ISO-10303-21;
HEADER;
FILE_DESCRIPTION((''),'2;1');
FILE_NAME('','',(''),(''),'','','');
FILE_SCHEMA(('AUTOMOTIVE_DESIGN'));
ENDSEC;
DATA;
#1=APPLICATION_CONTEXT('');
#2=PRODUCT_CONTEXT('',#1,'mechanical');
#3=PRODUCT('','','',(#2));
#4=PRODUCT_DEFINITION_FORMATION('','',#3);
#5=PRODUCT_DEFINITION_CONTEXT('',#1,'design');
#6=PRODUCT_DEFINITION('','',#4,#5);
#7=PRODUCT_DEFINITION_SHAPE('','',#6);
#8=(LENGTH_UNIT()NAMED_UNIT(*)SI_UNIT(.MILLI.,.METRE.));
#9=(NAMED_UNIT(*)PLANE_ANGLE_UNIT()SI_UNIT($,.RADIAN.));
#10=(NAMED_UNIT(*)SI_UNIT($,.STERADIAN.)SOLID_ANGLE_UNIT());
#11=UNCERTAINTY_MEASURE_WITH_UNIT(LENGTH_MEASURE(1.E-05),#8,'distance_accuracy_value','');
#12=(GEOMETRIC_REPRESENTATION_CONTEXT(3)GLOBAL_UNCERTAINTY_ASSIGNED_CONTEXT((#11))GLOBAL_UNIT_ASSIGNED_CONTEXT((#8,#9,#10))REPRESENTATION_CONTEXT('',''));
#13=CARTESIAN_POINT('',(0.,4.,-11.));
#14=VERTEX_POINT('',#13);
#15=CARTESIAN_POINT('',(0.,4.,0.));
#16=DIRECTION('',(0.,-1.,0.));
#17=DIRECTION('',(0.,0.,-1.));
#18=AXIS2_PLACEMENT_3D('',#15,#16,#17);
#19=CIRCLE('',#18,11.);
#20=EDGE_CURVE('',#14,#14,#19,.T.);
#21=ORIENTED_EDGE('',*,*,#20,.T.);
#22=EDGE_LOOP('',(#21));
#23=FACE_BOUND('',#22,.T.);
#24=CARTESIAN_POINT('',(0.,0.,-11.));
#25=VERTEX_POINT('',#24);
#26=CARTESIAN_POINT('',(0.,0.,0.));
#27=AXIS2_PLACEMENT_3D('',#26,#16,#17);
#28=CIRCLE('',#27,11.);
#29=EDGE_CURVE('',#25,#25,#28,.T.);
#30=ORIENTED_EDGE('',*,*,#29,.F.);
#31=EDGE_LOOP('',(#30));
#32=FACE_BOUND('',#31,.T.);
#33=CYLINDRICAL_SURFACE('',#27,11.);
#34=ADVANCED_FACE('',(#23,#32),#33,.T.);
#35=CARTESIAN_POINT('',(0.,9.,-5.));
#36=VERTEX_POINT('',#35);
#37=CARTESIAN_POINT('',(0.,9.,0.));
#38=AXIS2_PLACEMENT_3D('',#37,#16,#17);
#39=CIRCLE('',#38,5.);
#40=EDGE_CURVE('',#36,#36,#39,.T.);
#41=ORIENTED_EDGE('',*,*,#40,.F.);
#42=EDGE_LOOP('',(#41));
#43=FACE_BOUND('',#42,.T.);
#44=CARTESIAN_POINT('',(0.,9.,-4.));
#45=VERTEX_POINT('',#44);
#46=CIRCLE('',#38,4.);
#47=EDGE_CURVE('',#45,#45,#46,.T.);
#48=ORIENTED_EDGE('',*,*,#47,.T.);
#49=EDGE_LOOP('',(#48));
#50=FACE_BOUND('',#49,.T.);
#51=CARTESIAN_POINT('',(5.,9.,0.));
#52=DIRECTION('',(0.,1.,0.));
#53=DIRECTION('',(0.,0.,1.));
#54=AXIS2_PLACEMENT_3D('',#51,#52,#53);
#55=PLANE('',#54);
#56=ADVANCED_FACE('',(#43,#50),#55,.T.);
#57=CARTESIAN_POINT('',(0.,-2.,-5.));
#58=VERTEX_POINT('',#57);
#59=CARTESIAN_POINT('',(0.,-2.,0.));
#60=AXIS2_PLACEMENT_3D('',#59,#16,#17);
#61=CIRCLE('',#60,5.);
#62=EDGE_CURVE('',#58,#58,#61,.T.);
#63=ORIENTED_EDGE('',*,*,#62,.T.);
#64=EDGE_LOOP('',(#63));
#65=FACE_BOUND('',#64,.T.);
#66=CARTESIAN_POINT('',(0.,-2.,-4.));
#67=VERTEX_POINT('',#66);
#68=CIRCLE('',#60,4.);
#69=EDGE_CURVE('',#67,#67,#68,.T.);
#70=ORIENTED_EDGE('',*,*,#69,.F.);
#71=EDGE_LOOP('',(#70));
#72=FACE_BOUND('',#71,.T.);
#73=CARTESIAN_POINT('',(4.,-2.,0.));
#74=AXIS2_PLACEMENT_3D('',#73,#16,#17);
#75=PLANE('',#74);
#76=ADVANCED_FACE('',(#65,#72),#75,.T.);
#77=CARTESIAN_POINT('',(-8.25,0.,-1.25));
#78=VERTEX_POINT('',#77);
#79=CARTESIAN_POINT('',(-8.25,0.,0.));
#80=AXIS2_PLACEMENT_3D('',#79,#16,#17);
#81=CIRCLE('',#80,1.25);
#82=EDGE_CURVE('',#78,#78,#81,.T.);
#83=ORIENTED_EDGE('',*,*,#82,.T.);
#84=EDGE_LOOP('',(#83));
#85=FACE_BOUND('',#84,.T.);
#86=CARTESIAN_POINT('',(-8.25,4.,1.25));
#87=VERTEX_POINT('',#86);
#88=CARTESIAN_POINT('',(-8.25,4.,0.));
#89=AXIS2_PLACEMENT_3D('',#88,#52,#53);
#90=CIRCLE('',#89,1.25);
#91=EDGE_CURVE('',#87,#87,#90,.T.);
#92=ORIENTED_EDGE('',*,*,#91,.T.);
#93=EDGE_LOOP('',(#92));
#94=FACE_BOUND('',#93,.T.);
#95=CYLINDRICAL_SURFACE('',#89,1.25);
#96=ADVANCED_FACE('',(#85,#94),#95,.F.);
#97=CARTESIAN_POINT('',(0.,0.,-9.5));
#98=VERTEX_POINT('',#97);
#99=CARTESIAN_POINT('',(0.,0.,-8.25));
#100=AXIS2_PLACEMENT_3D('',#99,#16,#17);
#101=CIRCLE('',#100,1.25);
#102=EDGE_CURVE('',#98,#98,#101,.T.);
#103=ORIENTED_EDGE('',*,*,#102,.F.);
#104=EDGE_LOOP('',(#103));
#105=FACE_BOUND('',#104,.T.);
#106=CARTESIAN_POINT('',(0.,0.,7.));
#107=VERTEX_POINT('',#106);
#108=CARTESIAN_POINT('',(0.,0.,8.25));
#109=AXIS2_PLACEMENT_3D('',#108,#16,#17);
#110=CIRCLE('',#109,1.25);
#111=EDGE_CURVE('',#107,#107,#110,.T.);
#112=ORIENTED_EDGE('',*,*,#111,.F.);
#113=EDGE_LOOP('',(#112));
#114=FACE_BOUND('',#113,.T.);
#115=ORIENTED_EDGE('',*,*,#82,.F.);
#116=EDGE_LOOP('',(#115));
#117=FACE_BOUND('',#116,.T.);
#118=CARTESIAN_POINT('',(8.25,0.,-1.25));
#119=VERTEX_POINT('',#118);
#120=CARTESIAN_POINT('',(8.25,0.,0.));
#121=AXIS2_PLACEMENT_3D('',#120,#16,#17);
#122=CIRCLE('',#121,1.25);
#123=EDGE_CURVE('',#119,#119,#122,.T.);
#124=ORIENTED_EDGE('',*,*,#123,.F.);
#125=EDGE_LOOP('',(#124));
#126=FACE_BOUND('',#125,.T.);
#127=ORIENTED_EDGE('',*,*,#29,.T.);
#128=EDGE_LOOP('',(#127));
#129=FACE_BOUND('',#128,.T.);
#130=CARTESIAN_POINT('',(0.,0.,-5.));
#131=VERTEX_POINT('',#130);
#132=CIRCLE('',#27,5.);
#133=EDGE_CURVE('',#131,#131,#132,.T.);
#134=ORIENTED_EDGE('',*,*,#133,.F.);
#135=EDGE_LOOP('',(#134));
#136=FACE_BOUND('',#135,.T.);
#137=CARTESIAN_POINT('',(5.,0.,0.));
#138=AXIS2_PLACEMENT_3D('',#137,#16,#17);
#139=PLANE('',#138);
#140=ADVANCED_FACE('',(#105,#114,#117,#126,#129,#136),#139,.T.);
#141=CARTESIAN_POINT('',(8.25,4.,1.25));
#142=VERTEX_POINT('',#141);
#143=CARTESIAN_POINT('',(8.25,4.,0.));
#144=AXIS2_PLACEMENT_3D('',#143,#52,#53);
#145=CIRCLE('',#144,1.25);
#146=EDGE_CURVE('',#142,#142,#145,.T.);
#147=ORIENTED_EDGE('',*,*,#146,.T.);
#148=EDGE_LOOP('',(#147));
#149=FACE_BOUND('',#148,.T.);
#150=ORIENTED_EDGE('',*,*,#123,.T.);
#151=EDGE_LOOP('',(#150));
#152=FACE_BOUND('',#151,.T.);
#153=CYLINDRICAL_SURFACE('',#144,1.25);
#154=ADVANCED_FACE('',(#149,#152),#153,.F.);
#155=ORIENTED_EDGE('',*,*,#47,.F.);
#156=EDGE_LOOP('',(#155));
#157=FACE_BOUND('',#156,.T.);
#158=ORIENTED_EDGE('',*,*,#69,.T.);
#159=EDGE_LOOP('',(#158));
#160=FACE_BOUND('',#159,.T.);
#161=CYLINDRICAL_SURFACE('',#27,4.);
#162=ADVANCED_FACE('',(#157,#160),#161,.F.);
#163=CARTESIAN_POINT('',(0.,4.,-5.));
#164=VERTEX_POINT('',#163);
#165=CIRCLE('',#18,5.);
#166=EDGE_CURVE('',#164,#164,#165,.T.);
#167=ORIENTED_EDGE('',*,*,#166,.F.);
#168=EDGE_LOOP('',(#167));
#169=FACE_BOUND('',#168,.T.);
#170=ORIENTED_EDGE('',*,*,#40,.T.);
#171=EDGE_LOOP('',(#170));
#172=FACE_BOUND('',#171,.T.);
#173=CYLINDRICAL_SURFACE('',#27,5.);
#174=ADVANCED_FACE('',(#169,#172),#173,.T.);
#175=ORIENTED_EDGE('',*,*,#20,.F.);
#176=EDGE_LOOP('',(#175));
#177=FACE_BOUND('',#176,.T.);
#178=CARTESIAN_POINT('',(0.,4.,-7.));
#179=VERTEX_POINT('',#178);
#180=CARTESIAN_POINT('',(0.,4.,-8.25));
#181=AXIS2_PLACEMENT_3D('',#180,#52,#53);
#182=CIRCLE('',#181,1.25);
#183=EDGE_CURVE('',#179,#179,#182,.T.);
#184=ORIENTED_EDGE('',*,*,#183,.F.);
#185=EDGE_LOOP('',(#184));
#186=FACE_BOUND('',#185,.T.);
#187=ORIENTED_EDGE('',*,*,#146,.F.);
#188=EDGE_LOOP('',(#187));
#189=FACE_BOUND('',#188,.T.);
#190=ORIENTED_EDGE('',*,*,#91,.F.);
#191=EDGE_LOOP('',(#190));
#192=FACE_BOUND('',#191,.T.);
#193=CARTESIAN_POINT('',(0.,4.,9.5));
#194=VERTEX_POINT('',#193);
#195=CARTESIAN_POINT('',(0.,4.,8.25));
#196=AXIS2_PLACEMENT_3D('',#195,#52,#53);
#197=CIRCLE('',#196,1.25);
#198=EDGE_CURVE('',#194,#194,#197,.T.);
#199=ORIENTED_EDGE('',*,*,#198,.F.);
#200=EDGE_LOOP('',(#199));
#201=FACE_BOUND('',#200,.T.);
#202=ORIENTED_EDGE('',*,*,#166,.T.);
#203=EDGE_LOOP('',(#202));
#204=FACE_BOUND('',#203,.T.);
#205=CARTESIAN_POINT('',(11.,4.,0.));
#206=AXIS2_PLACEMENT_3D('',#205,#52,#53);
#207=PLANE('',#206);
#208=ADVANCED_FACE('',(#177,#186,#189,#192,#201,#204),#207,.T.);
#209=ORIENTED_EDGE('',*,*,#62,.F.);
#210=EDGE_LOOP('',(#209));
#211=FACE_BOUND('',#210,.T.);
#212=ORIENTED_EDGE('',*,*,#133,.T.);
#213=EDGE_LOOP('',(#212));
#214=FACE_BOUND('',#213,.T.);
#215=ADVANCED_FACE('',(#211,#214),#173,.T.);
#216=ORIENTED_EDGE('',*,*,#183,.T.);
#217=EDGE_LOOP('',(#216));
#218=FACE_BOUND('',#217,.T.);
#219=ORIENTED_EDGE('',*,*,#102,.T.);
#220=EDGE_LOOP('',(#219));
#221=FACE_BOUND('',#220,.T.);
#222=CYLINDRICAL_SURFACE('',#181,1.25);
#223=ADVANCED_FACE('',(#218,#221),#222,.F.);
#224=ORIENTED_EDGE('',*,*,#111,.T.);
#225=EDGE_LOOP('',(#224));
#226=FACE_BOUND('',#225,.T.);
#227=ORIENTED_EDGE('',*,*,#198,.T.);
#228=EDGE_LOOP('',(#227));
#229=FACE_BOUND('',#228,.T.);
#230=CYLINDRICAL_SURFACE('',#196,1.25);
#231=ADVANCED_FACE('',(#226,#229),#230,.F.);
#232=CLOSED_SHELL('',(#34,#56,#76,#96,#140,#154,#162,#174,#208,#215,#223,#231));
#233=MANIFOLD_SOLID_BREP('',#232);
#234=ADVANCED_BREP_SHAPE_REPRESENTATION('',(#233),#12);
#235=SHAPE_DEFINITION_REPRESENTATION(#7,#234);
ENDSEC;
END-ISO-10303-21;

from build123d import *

# Parameters (mm, degrees)
TAP_DRILL_FOR_M3_TAP1_D = 2.5


with BuildPart() as part:
    # Sketch1 → Revolve1 (revolve)
    with BuildSketch(Plane.XY, mode=Mode.PRIVATE) as revolve1_sk:
        Polygon((11, 0), (11, 4), (5, 4), (5, 9), (4, 9), (4, -2), (5, -2), (5, 0), align=None)
    revolve(revolve1_sk.sketch.rotate(Axis((0, 0, 0), (0, 1, 0)), 90), axis=Axis((0, 0, 0), (0, 1, 0)))

    # Tap Drill for M3 Tap1 (through all)
    with Locations(Plane(origin=(0, 4, 0), x_dir=(1, 0, 0), z_dir=(0, 1, 0))):
        with Locations((0, 8.25), (8.25, 0), (0, -8.25), (-8.25, 0)):
            Hole(TAP_DRILL_FOR_M3_TAP1_D / 2)


solid = part.part
